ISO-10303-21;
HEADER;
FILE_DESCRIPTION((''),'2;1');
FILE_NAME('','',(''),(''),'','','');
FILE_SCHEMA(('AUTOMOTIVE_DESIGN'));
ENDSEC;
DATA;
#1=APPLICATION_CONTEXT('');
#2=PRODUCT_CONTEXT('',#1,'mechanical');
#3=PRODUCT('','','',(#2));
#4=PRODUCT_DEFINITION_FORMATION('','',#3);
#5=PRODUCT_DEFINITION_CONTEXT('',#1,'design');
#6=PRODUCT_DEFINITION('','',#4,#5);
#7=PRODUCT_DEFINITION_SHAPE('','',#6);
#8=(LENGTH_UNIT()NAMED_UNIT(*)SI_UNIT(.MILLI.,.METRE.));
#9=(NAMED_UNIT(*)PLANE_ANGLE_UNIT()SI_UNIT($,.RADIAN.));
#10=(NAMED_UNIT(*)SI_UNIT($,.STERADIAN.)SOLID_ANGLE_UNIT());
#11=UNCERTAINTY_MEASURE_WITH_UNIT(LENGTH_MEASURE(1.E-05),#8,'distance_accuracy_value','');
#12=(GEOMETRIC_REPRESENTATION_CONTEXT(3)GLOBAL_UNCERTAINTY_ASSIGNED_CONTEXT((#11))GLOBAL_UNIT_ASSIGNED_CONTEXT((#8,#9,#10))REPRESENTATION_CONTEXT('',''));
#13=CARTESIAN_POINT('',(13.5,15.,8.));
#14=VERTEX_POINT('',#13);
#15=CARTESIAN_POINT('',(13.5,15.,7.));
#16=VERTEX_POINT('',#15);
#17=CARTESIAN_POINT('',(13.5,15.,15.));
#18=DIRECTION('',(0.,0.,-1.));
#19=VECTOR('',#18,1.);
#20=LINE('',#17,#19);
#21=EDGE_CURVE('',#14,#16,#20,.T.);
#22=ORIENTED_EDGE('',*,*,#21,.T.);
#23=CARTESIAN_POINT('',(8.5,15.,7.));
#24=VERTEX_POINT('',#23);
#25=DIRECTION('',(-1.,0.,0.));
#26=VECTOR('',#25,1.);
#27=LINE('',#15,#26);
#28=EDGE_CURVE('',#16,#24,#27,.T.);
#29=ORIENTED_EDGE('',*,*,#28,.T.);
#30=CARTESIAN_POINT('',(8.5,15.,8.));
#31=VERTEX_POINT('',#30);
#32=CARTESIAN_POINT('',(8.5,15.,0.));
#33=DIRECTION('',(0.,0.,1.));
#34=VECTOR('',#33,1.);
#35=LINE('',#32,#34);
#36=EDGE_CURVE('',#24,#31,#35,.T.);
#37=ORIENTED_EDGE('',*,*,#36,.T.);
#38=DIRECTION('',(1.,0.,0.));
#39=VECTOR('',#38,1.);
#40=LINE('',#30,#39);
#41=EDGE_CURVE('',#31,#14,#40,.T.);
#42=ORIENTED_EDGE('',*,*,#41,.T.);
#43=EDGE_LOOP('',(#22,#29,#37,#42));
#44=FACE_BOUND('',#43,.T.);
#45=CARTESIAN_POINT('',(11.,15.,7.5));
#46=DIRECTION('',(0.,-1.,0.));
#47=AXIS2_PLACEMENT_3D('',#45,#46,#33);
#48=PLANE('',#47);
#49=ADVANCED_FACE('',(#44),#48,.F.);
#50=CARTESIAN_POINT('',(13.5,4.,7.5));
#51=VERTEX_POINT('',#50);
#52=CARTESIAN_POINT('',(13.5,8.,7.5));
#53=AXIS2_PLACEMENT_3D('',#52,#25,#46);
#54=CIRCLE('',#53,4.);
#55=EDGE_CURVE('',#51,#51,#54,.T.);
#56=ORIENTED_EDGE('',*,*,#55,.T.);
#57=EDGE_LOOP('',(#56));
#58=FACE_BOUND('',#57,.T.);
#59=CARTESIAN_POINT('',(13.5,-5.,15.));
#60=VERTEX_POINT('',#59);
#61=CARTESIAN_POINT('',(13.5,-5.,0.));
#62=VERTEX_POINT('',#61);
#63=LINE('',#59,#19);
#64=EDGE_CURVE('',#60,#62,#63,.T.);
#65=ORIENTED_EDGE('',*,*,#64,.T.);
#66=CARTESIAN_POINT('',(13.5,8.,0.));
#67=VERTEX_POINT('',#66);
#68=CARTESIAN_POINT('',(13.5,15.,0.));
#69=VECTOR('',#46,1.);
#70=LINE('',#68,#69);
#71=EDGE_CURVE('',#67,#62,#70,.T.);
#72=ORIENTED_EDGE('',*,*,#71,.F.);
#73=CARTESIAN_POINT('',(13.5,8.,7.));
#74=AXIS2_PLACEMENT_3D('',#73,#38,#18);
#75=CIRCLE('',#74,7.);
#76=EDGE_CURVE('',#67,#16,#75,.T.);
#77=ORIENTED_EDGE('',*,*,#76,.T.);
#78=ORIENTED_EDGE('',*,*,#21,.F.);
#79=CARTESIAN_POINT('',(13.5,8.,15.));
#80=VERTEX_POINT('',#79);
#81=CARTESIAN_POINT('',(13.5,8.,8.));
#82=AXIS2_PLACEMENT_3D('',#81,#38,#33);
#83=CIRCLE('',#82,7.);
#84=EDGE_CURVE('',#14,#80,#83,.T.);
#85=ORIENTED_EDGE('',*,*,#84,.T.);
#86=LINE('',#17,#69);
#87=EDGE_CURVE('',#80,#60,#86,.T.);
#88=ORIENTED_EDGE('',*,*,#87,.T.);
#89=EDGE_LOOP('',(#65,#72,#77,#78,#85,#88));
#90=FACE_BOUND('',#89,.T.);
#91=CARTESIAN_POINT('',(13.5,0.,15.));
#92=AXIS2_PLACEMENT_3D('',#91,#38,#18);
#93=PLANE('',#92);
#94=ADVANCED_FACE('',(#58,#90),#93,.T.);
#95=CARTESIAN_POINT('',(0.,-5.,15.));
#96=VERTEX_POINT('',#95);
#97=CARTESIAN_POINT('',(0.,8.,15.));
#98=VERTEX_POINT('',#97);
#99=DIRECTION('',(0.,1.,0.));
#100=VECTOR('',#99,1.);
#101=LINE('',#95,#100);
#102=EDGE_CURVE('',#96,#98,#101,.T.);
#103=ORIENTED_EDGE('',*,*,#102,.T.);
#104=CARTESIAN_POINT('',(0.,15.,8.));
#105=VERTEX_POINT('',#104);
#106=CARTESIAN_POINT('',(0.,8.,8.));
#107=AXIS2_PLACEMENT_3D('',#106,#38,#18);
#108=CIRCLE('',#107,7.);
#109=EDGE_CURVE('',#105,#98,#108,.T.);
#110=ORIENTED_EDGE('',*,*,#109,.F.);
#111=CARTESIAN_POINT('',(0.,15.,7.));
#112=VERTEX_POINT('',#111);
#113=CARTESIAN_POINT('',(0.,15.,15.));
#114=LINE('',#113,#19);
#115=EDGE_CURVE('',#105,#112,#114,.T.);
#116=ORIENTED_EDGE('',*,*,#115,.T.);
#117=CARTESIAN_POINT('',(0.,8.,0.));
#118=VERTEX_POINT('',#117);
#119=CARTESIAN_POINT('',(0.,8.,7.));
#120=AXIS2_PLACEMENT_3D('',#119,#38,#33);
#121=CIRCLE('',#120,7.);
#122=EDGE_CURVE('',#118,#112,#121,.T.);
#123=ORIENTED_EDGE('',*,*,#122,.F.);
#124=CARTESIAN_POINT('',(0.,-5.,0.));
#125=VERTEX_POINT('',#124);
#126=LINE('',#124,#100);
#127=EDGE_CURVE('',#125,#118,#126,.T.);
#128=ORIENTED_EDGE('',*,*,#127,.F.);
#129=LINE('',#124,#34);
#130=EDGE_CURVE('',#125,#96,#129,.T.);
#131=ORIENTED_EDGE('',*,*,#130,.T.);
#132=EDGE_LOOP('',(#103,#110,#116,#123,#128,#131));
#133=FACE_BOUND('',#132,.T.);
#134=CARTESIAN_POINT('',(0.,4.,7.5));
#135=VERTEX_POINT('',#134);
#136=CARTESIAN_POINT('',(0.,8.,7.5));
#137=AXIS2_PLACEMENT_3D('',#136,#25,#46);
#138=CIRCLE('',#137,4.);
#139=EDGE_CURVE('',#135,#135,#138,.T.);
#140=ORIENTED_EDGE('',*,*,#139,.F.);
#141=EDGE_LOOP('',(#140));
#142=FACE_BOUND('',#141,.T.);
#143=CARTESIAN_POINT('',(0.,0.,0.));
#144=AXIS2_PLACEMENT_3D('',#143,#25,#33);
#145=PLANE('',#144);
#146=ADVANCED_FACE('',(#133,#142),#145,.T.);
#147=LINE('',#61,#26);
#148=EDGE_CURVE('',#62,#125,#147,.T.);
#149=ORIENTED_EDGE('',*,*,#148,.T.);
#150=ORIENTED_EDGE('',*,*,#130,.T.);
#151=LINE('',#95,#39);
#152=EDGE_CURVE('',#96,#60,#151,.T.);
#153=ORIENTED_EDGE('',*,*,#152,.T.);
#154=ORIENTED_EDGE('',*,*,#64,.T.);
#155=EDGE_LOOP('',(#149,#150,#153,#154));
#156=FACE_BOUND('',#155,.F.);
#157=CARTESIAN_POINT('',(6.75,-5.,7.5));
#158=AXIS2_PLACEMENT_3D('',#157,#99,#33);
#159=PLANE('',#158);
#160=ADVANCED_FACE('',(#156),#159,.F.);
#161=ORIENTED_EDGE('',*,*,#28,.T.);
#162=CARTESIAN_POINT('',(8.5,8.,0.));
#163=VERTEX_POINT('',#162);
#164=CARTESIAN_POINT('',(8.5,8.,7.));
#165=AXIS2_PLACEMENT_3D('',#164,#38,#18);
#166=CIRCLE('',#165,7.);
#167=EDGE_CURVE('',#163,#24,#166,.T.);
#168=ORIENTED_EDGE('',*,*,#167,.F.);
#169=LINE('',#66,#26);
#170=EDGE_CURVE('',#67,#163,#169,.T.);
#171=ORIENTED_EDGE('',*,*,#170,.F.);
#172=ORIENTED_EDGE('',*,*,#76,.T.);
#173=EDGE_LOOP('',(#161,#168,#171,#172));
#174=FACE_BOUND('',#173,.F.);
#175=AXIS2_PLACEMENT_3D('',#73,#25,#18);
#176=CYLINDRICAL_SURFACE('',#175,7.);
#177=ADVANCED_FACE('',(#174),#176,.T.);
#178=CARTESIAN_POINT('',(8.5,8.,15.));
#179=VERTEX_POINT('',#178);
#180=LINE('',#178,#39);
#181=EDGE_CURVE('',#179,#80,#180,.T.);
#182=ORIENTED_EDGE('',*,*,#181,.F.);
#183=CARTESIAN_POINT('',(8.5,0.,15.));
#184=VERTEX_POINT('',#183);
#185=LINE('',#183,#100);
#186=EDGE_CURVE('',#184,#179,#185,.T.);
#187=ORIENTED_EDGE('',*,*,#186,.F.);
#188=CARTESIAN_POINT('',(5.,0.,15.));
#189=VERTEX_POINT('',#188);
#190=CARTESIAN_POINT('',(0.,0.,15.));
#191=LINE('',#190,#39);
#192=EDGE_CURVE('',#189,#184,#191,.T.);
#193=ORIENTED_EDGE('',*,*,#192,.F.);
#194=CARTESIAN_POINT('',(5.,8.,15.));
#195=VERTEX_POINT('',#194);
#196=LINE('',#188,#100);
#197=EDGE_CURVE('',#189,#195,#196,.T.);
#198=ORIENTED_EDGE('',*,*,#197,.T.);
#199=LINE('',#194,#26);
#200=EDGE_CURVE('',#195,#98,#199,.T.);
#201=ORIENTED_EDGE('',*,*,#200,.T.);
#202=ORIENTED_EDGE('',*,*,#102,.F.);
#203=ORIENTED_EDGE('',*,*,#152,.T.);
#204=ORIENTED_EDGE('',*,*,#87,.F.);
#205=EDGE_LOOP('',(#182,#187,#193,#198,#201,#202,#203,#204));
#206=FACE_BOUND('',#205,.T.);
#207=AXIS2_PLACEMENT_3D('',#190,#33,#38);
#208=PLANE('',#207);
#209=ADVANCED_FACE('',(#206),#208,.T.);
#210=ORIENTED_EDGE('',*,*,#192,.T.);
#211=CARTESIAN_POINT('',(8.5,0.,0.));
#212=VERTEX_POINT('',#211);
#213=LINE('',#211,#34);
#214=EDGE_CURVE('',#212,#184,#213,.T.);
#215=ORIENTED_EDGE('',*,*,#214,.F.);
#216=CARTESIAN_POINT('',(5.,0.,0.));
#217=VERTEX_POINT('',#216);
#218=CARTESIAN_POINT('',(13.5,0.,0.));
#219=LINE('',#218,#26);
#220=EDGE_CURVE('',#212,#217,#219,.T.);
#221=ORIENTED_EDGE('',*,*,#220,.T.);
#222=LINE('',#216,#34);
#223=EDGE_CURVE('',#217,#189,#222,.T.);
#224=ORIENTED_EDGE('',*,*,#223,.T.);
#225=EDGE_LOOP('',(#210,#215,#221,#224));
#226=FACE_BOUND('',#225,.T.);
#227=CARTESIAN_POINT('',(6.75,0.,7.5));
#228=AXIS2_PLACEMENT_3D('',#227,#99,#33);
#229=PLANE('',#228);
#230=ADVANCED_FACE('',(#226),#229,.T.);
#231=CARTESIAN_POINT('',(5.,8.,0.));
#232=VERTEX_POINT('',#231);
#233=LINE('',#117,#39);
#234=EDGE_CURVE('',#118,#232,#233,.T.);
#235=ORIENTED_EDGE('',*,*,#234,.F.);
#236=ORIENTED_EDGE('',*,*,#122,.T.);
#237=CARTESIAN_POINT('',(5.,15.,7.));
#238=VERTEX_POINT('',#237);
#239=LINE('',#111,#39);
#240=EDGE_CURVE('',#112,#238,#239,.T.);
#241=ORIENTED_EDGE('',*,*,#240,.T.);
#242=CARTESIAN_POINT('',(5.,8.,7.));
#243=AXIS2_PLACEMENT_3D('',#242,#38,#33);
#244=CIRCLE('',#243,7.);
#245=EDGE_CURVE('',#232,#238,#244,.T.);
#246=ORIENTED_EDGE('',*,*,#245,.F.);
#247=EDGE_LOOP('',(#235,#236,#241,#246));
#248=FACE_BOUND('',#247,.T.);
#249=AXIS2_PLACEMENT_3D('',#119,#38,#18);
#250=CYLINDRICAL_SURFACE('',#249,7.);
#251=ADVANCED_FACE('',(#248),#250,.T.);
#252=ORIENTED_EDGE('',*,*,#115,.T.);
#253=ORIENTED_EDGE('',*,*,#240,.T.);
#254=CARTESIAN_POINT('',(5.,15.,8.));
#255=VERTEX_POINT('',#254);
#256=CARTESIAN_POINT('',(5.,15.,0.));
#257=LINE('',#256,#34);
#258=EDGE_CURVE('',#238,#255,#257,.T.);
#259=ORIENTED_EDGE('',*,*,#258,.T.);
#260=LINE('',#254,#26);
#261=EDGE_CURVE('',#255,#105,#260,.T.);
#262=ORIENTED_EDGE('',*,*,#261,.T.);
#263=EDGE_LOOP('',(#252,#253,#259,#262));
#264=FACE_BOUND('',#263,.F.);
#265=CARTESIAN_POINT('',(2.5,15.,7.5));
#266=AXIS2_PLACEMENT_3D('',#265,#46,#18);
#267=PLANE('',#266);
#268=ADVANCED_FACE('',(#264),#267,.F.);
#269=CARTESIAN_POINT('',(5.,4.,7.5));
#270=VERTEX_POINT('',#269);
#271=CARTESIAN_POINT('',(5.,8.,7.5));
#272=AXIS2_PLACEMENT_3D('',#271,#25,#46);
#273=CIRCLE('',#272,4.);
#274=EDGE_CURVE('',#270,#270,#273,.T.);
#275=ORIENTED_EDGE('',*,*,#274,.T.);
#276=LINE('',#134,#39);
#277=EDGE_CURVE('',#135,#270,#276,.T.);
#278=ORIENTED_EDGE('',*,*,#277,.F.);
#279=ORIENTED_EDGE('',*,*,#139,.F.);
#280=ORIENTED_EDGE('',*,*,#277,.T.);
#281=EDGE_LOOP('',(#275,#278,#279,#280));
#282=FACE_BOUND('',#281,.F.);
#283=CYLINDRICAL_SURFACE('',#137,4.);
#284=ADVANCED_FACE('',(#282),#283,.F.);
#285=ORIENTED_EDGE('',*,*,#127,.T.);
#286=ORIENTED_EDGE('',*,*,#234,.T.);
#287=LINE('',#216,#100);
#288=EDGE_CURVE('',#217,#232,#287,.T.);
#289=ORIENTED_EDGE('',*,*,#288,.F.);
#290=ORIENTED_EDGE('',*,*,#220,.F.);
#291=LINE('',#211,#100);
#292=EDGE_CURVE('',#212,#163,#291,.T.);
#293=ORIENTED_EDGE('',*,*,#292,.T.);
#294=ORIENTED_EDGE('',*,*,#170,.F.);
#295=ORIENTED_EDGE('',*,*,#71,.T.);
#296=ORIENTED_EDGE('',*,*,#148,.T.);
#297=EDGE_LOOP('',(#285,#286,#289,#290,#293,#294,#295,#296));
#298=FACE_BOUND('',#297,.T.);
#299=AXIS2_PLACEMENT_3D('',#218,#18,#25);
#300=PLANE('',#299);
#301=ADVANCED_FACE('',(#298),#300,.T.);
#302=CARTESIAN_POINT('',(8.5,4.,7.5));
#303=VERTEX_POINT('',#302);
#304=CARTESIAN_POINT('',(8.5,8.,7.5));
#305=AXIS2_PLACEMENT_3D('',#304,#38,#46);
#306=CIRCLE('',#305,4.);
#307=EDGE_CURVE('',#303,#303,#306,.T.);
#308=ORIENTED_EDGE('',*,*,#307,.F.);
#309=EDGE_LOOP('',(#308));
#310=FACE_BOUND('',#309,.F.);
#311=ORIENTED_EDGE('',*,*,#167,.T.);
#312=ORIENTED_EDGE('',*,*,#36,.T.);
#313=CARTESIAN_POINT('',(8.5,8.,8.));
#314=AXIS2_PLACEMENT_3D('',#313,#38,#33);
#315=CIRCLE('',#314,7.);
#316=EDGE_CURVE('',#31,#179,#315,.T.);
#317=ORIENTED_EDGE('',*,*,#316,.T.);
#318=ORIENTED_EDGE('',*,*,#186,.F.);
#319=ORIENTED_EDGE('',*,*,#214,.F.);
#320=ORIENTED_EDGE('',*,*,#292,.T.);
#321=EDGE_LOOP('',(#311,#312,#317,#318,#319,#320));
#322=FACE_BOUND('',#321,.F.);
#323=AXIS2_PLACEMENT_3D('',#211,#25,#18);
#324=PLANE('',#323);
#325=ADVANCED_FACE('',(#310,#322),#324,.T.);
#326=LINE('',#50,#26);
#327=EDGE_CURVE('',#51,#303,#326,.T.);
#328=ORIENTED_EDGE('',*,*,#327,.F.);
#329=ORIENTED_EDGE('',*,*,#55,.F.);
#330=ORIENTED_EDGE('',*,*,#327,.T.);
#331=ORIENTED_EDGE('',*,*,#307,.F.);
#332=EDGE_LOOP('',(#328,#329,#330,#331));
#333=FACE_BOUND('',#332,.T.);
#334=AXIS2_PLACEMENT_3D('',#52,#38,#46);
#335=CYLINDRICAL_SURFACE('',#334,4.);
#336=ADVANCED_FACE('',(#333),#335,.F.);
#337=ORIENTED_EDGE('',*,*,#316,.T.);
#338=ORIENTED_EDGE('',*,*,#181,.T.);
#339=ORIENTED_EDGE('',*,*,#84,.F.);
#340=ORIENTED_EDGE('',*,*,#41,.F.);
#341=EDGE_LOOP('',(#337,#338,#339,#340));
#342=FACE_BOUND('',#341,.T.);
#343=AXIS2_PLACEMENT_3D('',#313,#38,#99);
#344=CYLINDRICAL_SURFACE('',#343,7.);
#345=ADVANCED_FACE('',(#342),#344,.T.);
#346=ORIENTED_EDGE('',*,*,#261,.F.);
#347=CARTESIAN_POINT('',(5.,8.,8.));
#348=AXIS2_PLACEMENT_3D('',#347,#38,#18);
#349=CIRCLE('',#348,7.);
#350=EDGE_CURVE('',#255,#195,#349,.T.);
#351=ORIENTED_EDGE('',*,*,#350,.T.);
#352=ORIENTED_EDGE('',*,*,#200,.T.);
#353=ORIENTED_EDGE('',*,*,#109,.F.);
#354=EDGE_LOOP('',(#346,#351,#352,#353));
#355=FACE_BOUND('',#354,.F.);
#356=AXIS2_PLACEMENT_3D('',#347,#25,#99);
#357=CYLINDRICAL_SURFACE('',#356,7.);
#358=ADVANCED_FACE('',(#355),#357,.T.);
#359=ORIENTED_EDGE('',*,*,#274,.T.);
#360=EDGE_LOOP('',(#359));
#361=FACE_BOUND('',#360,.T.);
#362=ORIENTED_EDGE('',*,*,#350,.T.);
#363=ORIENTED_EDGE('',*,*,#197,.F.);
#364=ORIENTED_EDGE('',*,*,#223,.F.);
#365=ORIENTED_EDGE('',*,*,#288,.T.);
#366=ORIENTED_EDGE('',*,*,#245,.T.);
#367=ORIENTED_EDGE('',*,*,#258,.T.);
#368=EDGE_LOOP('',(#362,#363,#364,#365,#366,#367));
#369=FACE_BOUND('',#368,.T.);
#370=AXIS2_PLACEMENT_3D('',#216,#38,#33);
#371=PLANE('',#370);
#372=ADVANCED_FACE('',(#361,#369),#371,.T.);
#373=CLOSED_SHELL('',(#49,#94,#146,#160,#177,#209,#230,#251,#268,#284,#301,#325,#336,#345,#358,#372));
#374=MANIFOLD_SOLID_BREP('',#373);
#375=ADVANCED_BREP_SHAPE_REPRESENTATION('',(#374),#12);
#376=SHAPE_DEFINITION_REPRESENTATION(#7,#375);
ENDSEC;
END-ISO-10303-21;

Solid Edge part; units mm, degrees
sketch "Sketch1" plane through (0, 0, 0) normal (0, -1, 0) x (1, 0, 0)
  line L0 (13.5, 0) -> (0, 0)
  line L1 (0, 0) -> (0, 15)
  line L2 (0, 15) -> (13.5, 15)
  line L3 (13.5, 15) -> (13.5, 0)
extrude "Protrusion1" add sketch "Sketch1" along normal blind 5
sketch "Sketch2" plane through (18.75, 0, 7.5) normal (0, 1, 0) x (-1, 0, 0)
  line L0 (13.75, -7.5) -> (13.75, 7.5)
  line L1 (13.75, 7.5) -> (18.75, 7.5)
  line L2 (18.75, 7.5) -> (18.75, -7.5)
  line L3 (18.75, -7.5) -> (13.75, -7.5)
extrude "ExtrudedProtrusion_3" add sketch "Sketch2" along normal blind 15
sketch "Sketch3" plane through (0, 5, 7.5) normal (-1, 0, 0) x (0, -1, 0)
  circle A0 centre (-3, 0) radius 4
extrude "Cutout1" cut sketch "Sketch3" against normal through all
fillet "Round1" radius 7 2 edges at (2.5, 15, 15) (2.5, 15, 0)
mirror "Mirror1" about plane through (6.75, 5, 7.5) normal (-1, 0, 0) of "ExtrudedProtrusion_3", "Cutout1"
fillet "Round2" radius 7 2 edges at (11, 15, 15) (11, 15, 0)
